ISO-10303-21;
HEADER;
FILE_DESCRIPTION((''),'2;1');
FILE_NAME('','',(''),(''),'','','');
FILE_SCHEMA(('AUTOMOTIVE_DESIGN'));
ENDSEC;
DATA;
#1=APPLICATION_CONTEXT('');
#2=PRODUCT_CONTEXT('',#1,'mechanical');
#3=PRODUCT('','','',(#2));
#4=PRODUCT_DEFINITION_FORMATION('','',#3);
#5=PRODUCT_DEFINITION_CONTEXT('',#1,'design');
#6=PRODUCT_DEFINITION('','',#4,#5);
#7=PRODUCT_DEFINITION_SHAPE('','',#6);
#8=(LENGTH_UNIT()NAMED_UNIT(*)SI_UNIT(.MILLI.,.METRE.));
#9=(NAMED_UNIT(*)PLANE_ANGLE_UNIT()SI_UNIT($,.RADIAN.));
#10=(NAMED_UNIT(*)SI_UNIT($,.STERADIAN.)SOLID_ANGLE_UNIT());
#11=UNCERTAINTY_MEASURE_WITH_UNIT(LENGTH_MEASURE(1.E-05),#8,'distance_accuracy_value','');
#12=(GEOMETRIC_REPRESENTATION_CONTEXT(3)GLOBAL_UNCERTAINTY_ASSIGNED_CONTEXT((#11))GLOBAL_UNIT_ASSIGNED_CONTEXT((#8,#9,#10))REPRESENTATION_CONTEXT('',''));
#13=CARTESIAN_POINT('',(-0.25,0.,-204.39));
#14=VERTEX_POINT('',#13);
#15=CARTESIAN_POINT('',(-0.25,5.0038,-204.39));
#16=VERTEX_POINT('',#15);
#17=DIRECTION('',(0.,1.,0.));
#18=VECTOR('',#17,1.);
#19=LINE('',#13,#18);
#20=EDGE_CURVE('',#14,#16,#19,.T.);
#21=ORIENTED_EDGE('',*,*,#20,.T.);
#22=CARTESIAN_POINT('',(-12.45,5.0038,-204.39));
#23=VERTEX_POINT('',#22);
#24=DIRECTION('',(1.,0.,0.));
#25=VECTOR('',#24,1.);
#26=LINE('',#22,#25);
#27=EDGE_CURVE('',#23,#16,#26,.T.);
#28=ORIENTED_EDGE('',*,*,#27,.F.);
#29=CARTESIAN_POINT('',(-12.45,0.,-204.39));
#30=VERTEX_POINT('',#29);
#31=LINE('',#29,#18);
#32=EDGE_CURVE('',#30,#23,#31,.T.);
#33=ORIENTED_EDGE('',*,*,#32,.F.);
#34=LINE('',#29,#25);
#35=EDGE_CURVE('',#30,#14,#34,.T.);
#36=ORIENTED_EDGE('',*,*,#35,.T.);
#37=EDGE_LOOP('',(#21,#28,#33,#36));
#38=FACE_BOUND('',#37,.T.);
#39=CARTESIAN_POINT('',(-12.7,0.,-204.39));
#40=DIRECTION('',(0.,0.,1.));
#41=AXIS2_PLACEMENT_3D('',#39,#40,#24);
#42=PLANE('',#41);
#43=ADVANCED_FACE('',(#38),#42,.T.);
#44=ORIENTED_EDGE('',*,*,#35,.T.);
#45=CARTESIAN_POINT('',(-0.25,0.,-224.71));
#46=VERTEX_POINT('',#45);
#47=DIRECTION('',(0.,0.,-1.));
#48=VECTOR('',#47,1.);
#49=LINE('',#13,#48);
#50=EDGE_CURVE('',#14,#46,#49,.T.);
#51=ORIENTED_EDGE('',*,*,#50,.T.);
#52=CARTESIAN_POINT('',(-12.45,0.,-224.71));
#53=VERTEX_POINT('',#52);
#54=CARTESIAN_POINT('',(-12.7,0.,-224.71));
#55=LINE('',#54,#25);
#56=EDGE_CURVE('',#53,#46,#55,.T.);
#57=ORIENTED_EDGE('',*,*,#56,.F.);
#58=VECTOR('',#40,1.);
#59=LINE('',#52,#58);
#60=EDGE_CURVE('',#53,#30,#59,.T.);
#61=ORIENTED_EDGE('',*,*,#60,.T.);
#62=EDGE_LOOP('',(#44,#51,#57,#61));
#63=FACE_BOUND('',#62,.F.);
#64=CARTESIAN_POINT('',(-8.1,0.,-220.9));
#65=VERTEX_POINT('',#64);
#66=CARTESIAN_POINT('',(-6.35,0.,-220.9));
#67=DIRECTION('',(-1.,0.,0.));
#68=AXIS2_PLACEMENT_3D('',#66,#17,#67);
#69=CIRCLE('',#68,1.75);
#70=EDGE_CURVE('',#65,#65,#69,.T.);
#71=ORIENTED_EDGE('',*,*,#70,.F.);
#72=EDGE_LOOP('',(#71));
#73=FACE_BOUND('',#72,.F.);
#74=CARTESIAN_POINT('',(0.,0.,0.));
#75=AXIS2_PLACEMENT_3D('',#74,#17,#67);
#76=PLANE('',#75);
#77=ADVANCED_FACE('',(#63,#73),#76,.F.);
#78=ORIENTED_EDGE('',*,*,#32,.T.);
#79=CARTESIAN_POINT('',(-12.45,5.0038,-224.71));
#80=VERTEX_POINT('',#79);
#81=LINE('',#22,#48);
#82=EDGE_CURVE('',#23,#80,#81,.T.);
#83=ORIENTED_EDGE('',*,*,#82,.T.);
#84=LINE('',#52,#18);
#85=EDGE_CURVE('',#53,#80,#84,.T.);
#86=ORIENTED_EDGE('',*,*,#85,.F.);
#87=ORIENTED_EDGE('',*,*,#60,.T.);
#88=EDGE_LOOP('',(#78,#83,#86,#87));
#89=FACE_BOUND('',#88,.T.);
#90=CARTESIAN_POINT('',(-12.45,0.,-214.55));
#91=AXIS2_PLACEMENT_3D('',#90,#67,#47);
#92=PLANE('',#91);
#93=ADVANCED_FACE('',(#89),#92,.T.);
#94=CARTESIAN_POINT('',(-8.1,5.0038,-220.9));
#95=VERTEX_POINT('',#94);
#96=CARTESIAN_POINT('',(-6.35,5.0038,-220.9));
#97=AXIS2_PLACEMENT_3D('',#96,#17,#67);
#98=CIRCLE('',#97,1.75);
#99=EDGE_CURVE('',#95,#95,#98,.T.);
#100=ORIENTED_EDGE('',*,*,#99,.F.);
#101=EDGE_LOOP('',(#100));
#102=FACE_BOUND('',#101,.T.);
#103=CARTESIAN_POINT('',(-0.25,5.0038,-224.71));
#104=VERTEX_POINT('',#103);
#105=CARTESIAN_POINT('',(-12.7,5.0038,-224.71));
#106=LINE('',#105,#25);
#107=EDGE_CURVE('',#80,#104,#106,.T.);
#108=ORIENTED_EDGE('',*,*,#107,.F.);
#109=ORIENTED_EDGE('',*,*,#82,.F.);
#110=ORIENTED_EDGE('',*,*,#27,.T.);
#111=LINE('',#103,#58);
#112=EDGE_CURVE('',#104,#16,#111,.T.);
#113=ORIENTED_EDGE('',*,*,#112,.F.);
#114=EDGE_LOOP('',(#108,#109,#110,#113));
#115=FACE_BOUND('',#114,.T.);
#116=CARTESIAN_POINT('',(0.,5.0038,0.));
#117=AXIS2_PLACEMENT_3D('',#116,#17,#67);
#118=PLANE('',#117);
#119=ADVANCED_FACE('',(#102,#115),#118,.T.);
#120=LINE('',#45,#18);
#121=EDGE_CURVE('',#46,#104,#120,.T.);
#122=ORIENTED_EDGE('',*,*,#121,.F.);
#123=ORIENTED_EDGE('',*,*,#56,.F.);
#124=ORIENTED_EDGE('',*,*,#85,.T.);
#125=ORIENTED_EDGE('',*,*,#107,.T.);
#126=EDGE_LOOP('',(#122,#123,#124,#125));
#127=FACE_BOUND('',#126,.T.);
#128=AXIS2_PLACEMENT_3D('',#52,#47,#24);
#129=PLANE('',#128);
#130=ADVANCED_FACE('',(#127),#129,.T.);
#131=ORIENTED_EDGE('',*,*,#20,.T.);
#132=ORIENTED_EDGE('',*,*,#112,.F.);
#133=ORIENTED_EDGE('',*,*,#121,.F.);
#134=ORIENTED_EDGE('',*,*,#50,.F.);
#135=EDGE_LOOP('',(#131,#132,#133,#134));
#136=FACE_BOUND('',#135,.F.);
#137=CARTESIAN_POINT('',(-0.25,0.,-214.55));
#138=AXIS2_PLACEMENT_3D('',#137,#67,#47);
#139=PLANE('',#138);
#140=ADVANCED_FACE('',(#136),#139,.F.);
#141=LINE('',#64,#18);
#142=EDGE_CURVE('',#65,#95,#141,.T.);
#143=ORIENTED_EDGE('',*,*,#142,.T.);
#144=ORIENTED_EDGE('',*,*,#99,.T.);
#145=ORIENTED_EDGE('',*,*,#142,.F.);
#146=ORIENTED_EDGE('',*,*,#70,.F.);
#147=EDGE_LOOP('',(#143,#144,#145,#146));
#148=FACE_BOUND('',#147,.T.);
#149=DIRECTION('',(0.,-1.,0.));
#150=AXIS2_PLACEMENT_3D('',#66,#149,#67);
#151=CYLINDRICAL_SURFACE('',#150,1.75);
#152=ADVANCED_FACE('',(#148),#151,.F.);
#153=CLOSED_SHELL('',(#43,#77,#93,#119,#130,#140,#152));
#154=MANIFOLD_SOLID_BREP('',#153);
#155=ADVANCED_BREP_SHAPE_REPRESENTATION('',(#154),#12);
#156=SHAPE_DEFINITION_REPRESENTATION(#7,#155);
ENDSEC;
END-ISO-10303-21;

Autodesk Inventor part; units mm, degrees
ref_plane "YZ Plane" through (0, 0, 0) normal (1, 0, 0) x (0, 1, 0)
ref_plane "XZ Plane" through (0, 0, 0) normal (0, 1, 0) x (-1, 0, 0)
ref_plane "XY Plane" through (0, 0, 0) normal (0, 0, 1) x (1, 0, 0)
sketch "Sketch1" plane through (0, 0, 0) normal (0, 1, 0) x (-1, 0, 0)
  line L0 (12.7, -224.71) -> (0, -224.71)
  line L1 (0, -214.55) -> (12.7, -214.55)
  circle A0 centre (6.35, -220.9) radius 1.75
  circle A1 centre (6.35, -220.9) radius 1.75
  line L2 (12.7, -214.55) -> (12.45, -214.55)
  line L3 (12.45, -214.55) -> (12.45, -224.71)
  line L4 (0, -214.55) -> (0.25, -214.55)
  line L5 (0.25, -214.55) -> (0.25, -224.71)
  point P0 (0, 0)
  dimension "d4" = 0.25
  dimension "d5" = 0.25
extrude "Extrusion1" add sketch "Sketch1" along normal blind 5.0038
sketch "Sketch2" plane through (-12.7, 0, -214.55) normal (0, 0, 1) x (1, 0, 0)
  line L0 (0.25, 0) -> (12.45, 0) projected
  line L1 (0.25, 5.0038) -> (12.45, 5.0038) projected
  line L2 (12.45, 0) -> (12.45, 5.0038) projected
  line L3 (0.25, 0) -> (0.25, 5.0038) projected
  point P0 (12.7, 0)
extrude "Extrusion2" add sketch "Sketch2" along normal blind 10.16
properties part number "StupidPiece"
